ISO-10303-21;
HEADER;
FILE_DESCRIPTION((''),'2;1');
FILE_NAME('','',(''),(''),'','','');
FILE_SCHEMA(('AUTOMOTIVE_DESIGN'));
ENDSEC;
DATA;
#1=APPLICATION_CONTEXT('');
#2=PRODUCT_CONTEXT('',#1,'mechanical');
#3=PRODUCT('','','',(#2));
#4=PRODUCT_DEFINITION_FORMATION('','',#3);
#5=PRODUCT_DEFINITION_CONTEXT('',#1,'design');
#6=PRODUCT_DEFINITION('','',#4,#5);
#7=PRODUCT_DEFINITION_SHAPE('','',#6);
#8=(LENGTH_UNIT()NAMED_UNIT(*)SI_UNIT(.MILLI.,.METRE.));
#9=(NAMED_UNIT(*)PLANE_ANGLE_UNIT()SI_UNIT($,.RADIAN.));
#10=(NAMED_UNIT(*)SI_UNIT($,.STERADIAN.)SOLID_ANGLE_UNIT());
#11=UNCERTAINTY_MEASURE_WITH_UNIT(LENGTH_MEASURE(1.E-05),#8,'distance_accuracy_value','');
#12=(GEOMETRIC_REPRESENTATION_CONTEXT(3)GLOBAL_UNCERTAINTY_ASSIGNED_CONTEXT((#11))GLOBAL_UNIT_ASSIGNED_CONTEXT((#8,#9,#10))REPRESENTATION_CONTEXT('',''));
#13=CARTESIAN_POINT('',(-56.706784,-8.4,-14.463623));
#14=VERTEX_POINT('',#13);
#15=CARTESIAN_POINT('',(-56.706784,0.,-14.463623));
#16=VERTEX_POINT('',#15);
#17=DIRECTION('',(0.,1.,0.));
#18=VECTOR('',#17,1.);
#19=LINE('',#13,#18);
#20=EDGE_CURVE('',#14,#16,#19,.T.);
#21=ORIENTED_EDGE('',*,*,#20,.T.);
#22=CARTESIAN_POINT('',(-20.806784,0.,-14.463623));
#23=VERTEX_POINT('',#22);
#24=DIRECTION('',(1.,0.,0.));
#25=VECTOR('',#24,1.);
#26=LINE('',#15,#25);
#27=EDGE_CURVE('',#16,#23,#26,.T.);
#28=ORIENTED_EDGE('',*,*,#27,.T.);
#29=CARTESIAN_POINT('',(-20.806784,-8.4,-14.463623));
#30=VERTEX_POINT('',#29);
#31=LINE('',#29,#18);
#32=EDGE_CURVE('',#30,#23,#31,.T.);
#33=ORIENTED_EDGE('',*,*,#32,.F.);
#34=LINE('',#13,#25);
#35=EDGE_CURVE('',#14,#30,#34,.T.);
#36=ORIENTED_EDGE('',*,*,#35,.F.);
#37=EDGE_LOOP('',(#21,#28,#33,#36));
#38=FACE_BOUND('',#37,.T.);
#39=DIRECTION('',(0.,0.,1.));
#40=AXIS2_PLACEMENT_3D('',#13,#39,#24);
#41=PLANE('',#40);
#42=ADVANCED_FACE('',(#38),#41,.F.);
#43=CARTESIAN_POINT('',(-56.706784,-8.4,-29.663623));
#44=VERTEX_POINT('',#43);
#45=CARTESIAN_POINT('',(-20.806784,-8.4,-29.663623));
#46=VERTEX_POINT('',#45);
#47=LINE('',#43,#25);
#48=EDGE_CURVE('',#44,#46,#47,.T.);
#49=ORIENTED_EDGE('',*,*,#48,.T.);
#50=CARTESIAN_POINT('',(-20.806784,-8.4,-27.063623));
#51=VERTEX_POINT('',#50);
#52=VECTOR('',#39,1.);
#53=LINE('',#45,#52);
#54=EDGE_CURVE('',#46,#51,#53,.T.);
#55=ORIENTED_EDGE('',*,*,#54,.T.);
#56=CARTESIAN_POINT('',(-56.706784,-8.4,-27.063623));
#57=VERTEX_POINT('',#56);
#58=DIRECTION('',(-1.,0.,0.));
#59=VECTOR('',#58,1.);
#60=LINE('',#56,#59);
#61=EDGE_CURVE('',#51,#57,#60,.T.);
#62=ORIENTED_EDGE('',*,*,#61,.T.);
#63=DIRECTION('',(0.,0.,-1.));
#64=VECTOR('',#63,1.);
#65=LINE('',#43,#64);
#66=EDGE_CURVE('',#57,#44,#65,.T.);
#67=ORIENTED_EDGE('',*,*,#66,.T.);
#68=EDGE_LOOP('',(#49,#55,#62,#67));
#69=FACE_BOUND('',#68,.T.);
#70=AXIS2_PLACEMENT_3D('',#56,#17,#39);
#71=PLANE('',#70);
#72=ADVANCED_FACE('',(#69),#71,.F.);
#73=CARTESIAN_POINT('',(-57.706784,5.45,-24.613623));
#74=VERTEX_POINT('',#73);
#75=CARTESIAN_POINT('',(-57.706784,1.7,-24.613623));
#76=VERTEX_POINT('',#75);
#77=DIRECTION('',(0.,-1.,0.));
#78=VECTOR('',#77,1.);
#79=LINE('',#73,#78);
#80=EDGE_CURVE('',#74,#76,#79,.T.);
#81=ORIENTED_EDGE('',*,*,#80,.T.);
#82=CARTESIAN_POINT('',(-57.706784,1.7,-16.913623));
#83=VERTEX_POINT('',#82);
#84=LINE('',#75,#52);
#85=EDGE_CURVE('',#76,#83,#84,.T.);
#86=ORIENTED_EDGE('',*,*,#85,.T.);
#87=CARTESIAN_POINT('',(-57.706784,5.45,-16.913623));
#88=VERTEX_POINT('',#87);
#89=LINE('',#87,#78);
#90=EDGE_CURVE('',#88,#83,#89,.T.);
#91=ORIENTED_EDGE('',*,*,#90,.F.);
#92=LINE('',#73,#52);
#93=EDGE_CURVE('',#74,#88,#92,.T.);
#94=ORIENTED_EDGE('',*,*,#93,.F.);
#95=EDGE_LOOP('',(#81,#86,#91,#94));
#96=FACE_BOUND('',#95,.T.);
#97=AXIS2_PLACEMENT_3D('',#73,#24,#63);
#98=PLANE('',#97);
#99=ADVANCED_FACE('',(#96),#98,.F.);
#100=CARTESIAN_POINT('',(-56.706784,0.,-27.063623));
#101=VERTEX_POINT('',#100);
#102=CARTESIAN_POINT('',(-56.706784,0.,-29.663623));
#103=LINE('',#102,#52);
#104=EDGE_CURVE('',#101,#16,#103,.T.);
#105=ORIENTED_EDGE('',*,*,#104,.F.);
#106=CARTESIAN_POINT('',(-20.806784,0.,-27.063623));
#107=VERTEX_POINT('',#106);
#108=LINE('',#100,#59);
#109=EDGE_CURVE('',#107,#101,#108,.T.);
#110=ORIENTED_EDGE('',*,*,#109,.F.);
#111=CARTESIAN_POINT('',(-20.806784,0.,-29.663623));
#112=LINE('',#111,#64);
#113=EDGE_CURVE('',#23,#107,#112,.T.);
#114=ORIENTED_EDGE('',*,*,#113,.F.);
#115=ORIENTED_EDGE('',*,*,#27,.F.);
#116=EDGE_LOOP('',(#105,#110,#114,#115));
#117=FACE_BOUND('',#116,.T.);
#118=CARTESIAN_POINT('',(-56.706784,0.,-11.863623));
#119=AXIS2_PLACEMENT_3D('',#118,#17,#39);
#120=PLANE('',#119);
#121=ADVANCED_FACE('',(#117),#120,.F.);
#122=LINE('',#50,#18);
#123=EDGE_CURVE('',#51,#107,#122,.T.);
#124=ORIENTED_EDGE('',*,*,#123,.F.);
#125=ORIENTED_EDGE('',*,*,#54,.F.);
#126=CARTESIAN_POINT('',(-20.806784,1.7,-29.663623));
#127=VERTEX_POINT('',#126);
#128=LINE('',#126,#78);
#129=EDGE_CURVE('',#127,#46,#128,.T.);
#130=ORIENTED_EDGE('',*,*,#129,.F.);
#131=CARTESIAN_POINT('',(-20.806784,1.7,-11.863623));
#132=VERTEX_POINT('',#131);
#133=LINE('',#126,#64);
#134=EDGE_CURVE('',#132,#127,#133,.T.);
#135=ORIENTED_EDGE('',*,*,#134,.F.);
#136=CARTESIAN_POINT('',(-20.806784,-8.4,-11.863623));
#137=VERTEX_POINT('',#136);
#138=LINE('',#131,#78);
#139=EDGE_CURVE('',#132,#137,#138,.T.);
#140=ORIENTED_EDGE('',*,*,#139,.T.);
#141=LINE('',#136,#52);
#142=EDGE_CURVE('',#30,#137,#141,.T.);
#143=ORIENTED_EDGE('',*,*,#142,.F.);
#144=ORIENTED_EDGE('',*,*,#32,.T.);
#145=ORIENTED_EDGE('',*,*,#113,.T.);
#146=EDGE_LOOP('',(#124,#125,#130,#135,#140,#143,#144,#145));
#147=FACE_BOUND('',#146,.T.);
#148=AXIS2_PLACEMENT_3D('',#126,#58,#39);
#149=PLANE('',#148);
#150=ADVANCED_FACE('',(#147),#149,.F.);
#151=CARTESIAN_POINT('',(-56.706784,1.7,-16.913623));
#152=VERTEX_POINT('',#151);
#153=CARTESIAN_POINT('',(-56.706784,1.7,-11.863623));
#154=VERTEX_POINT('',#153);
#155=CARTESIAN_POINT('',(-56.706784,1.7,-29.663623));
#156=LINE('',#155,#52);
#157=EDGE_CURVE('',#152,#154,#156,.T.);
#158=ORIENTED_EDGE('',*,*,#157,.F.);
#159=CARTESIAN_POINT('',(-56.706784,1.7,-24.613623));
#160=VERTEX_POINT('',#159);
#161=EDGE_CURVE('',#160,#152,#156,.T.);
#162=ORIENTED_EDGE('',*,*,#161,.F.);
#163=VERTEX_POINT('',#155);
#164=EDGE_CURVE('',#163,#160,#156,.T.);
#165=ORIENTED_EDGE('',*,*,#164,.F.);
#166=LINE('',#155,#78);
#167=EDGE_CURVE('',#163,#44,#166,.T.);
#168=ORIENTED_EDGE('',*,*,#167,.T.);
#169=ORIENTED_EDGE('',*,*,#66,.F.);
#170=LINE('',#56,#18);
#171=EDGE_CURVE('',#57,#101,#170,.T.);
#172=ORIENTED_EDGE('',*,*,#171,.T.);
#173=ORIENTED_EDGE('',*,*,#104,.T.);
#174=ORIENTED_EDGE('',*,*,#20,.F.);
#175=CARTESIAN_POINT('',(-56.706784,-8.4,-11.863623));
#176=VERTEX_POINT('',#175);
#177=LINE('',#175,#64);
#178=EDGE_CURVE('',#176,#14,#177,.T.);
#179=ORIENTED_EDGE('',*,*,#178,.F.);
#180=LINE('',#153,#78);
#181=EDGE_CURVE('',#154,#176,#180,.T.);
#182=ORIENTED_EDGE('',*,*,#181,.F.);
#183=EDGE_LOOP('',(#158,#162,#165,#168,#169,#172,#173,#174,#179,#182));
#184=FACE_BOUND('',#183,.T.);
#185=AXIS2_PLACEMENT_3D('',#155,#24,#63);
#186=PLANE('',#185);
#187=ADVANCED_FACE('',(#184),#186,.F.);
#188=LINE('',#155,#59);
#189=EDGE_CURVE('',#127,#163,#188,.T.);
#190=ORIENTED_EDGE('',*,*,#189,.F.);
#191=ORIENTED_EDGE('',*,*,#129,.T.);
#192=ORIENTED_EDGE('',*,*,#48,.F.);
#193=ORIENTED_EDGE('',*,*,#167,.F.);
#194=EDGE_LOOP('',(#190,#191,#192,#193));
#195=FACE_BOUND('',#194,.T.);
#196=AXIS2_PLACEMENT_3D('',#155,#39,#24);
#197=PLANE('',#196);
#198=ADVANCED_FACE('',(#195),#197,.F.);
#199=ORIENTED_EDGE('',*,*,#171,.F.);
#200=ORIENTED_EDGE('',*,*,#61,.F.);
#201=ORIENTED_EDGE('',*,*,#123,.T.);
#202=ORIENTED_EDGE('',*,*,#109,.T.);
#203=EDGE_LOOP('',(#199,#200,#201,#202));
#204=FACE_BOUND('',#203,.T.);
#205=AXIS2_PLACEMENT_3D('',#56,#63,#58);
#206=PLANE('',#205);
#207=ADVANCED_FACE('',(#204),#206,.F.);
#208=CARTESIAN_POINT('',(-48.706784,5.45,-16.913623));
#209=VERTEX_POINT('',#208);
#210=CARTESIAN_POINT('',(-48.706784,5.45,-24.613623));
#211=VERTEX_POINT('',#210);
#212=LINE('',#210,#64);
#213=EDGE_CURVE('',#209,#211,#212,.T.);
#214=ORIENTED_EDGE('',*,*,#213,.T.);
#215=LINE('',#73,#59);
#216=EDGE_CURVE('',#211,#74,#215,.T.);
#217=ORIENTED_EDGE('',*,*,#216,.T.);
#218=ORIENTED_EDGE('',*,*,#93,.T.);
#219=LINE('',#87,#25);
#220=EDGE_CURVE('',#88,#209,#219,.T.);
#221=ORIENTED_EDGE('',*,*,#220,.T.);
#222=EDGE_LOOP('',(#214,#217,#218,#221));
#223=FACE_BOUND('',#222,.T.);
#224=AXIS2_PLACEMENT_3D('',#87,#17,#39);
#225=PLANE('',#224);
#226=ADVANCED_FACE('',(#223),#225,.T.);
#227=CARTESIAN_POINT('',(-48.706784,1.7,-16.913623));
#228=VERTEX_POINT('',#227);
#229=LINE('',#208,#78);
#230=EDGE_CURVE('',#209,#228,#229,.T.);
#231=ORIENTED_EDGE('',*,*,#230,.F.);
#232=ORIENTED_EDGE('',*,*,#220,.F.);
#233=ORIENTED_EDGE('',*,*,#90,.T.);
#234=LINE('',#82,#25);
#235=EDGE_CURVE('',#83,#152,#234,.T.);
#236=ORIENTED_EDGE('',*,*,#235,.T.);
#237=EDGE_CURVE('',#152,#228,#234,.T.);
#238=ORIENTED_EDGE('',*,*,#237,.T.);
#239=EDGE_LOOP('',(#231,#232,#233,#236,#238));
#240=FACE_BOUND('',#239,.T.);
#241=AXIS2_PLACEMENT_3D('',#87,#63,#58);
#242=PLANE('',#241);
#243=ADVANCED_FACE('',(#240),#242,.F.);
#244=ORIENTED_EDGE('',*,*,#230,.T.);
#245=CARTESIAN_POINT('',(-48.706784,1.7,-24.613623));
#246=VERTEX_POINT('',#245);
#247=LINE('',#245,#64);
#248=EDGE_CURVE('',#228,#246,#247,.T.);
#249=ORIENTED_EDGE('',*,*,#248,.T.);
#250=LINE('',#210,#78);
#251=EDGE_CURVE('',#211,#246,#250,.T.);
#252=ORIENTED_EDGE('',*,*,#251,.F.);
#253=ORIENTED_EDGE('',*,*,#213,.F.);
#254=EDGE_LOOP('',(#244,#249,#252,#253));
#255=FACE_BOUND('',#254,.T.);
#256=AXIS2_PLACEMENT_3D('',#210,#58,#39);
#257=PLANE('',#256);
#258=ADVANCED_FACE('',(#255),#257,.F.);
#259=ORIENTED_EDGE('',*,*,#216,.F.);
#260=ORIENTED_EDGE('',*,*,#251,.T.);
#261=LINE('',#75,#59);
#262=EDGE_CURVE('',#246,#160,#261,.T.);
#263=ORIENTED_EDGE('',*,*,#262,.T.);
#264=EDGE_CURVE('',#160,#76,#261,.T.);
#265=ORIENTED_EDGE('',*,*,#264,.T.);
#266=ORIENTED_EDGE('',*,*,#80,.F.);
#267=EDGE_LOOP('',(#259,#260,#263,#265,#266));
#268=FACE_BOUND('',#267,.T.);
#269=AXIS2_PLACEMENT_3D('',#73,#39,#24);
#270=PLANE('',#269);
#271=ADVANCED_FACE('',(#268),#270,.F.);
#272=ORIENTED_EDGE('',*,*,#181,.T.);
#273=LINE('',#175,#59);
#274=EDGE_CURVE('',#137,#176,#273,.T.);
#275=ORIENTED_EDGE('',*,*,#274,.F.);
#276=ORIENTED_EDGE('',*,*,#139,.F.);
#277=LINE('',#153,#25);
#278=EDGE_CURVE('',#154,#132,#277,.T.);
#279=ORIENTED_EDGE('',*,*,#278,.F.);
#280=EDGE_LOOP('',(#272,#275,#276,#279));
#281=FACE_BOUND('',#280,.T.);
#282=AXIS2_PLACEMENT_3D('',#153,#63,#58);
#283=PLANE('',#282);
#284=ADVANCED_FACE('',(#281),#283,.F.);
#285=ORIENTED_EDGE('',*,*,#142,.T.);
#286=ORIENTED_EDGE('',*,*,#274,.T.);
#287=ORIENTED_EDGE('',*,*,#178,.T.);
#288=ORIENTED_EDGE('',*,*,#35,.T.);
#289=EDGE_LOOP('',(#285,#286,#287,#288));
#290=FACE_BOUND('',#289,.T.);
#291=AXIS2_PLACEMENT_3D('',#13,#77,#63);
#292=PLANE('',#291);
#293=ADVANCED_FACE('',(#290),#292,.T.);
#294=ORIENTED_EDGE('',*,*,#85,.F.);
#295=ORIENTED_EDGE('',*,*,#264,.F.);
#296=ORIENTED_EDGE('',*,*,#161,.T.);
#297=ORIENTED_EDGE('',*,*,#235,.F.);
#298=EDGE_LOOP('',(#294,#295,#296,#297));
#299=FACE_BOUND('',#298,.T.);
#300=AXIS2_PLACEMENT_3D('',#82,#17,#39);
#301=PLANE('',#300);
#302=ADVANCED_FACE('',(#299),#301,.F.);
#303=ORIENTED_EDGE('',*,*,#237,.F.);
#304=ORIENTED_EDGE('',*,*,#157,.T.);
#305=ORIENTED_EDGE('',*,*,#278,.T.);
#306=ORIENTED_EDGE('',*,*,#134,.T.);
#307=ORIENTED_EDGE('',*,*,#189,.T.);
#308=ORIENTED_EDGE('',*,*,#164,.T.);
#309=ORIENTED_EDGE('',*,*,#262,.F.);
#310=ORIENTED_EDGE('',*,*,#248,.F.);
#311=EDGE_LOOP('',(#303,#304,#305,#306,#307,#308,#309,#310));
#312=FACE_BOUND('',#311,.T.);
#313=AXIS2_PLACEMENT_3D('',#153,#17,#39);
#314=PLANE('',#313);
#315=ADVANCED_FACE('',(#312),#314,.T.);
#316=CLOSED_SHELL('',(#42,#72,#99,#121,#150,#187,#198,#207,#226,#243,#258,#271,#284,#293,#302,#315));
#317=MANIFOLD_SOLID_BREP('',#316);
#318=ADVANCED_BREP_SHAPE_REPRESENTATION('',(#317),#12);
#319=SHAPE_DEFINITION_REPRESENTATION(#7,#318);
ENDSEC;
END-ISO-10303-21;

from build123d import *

# Parameters (mm, degrees)
SKETCH1_W      = 35.9
SKETCH1_H      = 17.8
EXTRUDE1_DEPTH = 1.7
SKETCH2_W      = 9
SKETCH2_H      = 7.7
EXTRUDE2_DEPTH = 3.75
SKETCH3_W      = 35.9
SKETCH3_H      = 2.6
EXTRUDE3_DEPTH = 8.4


with BuildPart() as part:
    # Sketch1 → Extrude1 (new body)
    with BuildSketch(Plane(origin=(0, 0, 0), x_dir=(1, 0, 0), z_dir=(0, 1, 0))):
        with Locations((-38.756784273, 20.763622827)):
            Rectangle(SKETCH1_W, SKETCH1_H)
    extrude(amount=EXTRUDE1_DEPTH)

    # Sketch2 → Extrude2 (add)
    with BuildSketch(Plane(origin=(0, 1.7, 0), x_dir=(1, 0, 0), z_dir=(0, 1, 0))):
        with Locations((-53.206784273, 20.763622827)):
            Rectangle(SKETCH2_W, SKETCH2_H)
    extrude(amount=EXTRUDE2_DEPTH)

    # Sketch3 → Extrude3 (add)
    with BuildSketch(Plane.XZ):
        with Locations((-38.756784273, -13.163622827)):
            Rectangle(SKETCH3_W, SKETCH3_H)
        with Locations((-38.756784273, -28.363622827)):
            Rectangle(SKETCH3_W, SKETCH3_H)
    extrude(amount=EXTRUDE3_DEPTH)


solid = part.part
